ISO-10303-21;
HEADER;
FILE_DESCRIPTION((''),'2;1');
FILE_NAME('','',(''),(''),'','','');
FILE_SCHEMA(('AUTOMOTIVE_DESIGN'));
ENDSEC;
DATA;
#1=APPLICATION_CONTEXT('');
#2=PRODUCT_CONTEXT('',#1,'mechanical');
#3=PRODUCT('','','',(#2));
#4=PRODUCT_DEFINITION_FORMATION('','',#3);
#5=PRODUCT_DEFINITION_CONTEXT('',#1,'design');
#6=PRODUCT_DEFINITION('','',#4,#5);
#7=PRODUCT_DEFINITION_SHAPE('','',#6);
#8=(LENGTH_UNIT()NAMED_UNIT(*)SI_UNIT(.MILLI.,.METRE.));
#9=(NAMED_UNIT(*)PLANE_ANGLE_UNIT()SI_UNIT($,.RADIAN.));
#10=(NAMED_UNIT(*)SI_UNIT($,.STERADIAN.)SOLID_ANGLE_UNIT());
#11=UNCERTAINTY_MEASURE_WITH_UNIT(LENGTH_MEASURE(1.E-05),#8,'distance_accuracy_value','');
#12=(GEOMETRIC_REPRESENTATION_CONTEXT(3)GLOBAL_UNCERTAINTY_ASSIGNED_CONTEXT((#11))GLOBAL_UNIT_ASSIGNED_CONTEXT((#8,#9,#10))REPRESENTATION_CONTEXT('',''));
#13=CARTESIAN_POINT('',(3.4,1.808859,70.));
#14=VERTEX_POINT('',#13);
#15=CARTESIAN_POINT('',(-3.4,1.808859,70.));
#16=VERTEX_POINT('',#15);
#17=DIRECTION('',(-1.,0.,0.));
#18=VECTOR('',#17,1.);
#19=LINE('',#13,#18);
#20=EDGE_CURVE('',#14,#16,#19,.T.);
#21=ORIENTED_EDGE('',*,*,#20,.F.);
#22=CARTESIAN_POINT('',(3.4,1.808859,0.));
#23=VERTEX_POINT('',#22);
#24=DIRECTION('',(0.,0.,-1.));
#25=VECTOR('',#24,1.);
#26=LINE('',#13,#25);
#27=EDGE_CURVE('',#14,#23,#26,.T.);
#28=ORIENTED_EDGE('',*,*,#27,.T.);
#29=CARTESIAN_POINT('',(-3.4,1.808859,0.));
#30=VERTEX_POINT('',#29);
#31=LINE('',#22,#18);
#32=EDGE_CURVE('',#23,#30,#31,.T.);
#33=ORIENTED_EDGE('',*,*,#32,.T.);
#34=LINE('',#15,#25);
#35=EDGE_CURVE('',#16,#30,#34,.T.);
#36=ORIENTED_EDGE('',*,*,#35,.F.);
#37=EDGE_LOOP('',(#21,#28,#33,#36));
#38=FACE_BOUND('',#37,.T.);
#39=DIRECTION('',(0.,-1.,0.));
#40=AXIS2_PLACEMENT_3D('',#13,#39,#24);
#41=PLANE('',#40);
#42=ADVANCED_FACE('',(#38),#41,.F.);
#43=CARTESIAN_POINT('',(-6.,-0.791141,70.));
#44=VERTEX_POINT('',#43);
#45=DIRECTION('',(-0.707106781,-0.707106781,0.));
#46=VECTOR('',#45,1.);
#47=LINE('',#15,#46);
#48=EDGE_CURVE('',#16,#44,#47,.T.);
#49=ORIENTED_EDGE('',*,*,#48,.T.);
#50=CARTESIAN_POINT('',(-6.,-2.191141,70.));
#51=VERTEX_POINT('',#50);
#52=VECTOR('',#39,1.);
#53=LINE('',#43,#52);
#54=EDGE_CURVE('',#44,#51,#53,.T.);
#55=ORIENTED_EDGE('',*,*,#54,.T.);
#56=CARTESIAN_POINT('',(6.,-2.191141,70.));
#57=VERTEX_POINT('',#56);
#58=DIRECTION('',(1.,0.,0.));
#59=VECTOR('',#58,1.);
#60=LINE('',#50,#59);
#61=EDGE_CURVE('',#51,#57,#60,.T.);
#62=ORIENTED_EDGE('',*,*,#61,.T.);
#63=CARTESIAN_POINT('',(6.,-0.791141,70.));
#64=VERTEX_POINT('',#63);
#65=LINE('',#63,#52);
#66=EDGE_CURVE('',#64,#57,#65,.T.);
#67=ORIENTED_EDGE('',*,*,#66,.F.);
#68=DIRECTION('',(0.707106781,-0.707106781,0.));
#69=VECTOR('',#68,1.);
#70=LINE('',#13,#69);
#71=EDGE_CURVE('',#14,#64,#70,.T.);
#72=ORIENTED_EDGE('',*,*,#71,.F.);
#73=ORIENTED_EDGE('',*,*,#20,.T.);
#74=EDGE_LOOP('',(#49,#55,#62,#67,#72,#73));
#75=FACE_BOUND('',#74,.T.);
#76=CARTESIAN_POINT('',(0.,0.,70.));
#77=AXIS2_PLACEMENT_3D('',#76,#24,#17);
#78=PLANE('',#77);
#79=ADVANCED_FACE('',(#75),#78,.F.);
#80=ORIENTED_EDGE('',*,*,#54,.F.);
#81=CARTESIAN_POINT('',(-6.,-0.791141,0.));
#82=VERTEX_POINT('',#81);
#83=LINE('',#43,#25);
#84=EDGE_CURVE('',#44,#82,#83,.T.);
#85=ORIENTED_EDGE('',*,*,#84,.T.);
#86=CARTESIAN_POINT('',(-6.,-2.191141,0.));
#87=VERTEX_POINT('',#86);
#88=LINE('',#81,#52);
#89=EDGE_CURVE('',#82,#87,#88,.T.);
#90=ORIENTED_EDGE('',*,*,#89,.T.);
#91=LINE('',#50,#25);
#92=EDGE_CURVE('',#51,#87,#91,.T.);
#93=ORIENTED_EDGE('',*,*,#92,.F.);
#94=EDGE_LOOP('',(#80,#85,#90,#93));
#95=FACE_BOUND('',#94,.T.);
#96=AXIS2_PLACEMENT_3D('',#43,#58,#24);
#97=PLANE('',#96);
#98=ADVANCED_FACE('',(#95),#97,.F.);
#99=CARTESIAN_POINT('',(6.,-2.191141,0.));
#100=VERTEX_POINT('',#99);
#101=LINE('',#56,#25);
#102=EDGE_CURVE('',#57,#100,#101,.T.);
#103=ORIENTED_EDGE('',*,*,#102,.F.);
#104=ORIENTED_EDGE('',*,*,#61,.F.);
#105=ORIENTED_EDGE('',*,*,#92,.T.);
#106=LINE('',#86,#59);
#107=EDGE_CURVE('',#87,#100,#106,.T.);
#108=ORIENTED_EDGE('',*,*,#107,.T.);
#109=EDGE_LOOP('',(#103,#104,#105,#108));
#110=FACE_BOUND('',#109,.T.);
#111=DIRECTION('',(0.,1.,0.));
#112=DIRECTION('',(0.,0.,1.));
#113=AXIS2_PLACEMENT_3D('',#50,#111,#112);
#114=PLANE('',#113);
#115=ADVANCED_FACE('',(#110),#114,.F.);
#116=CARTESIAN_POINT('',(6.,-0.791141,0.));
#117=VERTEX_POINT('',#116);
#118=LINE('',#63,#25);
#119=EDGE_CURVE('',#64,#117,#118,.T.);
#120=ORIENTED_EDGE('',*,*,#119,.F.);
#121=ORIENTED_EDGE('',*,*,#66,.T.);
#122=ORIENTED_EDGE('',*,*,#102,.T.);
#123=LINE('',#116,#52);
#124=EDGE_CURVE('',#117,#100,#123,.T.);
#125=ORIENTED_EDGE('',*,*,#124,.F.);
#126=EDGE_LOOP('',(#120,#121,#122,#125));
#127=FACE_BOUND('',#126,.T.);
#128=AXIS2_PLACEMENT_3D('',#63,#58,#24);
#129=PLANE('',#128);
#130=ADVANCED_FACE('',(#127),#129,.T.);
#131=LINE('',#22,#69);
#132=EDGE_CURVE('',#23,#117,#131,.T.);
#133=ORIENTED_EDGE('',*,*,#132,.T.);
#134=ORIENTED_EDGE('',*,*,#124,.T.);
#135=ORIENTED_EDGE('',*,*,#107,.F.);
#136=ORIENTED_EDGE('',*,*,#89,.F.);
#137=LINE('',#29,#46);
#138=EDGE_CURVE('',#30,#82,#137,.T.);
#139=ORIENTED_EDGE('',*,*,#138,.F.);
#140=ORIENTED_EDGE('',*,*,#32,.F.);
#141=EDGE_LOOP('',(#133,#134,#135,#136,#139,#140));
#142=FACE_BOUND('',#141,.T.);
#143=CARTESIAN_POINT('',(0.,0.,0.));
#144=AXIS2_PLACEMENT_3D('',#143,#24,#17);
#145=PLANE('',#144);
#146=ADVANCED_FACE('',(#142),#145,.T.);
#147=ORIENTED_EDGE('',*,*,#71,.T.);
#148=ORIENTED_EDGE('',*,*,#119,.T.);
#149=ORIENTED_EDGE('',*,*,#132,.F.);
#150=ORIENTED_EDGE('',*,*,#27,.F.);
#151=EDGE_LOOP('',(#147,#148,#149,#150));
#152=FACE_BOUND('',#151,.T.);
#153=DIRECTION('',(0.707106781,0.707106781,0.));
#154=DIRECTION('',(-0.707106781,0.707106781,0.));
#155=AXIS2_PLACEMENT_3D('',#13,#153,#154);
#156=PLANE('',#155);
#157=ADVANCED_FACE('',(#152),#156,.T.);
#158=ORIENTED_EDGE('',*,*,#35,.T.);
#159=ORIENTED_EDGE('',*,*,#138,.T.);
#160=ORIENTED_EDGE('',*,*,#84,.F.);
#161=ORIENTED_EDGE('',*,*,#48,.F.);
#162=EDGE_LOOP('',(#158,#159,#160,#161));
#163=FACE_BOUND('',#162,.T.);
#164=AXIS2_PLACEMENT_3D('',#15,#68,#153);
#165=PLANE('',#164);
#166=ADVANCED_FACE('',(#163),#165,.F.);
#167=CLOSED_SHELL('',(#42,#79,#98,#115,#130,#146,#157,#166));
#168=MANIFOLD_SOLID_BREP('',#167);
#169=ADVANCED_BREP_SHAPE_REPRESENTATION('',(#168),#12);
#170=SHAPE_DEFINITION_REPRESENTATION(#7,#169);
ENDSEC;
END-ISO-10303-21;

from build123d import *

# Parameters (mm, degrees)
AUFSATZ_LINEAR_AUSTRAGEN1_DEPTH = 70


with BuildPart() as part:
    # Skizze1 → Aufsatz-Linear austragen1 (new body)
    with BuildSketch(Plane.XY):
        Polygon((3.4, 1.808858787), (-3.4, 1.808858787), (-6, -0.791141213), (-6, -2.191141213), (6, -2.191141213), (6, -0.791141213), align=None)
    extrude(amount=AUFSATZ_LINEAR_AUSTRAGEN1_DEPTH)


solid = part.part
